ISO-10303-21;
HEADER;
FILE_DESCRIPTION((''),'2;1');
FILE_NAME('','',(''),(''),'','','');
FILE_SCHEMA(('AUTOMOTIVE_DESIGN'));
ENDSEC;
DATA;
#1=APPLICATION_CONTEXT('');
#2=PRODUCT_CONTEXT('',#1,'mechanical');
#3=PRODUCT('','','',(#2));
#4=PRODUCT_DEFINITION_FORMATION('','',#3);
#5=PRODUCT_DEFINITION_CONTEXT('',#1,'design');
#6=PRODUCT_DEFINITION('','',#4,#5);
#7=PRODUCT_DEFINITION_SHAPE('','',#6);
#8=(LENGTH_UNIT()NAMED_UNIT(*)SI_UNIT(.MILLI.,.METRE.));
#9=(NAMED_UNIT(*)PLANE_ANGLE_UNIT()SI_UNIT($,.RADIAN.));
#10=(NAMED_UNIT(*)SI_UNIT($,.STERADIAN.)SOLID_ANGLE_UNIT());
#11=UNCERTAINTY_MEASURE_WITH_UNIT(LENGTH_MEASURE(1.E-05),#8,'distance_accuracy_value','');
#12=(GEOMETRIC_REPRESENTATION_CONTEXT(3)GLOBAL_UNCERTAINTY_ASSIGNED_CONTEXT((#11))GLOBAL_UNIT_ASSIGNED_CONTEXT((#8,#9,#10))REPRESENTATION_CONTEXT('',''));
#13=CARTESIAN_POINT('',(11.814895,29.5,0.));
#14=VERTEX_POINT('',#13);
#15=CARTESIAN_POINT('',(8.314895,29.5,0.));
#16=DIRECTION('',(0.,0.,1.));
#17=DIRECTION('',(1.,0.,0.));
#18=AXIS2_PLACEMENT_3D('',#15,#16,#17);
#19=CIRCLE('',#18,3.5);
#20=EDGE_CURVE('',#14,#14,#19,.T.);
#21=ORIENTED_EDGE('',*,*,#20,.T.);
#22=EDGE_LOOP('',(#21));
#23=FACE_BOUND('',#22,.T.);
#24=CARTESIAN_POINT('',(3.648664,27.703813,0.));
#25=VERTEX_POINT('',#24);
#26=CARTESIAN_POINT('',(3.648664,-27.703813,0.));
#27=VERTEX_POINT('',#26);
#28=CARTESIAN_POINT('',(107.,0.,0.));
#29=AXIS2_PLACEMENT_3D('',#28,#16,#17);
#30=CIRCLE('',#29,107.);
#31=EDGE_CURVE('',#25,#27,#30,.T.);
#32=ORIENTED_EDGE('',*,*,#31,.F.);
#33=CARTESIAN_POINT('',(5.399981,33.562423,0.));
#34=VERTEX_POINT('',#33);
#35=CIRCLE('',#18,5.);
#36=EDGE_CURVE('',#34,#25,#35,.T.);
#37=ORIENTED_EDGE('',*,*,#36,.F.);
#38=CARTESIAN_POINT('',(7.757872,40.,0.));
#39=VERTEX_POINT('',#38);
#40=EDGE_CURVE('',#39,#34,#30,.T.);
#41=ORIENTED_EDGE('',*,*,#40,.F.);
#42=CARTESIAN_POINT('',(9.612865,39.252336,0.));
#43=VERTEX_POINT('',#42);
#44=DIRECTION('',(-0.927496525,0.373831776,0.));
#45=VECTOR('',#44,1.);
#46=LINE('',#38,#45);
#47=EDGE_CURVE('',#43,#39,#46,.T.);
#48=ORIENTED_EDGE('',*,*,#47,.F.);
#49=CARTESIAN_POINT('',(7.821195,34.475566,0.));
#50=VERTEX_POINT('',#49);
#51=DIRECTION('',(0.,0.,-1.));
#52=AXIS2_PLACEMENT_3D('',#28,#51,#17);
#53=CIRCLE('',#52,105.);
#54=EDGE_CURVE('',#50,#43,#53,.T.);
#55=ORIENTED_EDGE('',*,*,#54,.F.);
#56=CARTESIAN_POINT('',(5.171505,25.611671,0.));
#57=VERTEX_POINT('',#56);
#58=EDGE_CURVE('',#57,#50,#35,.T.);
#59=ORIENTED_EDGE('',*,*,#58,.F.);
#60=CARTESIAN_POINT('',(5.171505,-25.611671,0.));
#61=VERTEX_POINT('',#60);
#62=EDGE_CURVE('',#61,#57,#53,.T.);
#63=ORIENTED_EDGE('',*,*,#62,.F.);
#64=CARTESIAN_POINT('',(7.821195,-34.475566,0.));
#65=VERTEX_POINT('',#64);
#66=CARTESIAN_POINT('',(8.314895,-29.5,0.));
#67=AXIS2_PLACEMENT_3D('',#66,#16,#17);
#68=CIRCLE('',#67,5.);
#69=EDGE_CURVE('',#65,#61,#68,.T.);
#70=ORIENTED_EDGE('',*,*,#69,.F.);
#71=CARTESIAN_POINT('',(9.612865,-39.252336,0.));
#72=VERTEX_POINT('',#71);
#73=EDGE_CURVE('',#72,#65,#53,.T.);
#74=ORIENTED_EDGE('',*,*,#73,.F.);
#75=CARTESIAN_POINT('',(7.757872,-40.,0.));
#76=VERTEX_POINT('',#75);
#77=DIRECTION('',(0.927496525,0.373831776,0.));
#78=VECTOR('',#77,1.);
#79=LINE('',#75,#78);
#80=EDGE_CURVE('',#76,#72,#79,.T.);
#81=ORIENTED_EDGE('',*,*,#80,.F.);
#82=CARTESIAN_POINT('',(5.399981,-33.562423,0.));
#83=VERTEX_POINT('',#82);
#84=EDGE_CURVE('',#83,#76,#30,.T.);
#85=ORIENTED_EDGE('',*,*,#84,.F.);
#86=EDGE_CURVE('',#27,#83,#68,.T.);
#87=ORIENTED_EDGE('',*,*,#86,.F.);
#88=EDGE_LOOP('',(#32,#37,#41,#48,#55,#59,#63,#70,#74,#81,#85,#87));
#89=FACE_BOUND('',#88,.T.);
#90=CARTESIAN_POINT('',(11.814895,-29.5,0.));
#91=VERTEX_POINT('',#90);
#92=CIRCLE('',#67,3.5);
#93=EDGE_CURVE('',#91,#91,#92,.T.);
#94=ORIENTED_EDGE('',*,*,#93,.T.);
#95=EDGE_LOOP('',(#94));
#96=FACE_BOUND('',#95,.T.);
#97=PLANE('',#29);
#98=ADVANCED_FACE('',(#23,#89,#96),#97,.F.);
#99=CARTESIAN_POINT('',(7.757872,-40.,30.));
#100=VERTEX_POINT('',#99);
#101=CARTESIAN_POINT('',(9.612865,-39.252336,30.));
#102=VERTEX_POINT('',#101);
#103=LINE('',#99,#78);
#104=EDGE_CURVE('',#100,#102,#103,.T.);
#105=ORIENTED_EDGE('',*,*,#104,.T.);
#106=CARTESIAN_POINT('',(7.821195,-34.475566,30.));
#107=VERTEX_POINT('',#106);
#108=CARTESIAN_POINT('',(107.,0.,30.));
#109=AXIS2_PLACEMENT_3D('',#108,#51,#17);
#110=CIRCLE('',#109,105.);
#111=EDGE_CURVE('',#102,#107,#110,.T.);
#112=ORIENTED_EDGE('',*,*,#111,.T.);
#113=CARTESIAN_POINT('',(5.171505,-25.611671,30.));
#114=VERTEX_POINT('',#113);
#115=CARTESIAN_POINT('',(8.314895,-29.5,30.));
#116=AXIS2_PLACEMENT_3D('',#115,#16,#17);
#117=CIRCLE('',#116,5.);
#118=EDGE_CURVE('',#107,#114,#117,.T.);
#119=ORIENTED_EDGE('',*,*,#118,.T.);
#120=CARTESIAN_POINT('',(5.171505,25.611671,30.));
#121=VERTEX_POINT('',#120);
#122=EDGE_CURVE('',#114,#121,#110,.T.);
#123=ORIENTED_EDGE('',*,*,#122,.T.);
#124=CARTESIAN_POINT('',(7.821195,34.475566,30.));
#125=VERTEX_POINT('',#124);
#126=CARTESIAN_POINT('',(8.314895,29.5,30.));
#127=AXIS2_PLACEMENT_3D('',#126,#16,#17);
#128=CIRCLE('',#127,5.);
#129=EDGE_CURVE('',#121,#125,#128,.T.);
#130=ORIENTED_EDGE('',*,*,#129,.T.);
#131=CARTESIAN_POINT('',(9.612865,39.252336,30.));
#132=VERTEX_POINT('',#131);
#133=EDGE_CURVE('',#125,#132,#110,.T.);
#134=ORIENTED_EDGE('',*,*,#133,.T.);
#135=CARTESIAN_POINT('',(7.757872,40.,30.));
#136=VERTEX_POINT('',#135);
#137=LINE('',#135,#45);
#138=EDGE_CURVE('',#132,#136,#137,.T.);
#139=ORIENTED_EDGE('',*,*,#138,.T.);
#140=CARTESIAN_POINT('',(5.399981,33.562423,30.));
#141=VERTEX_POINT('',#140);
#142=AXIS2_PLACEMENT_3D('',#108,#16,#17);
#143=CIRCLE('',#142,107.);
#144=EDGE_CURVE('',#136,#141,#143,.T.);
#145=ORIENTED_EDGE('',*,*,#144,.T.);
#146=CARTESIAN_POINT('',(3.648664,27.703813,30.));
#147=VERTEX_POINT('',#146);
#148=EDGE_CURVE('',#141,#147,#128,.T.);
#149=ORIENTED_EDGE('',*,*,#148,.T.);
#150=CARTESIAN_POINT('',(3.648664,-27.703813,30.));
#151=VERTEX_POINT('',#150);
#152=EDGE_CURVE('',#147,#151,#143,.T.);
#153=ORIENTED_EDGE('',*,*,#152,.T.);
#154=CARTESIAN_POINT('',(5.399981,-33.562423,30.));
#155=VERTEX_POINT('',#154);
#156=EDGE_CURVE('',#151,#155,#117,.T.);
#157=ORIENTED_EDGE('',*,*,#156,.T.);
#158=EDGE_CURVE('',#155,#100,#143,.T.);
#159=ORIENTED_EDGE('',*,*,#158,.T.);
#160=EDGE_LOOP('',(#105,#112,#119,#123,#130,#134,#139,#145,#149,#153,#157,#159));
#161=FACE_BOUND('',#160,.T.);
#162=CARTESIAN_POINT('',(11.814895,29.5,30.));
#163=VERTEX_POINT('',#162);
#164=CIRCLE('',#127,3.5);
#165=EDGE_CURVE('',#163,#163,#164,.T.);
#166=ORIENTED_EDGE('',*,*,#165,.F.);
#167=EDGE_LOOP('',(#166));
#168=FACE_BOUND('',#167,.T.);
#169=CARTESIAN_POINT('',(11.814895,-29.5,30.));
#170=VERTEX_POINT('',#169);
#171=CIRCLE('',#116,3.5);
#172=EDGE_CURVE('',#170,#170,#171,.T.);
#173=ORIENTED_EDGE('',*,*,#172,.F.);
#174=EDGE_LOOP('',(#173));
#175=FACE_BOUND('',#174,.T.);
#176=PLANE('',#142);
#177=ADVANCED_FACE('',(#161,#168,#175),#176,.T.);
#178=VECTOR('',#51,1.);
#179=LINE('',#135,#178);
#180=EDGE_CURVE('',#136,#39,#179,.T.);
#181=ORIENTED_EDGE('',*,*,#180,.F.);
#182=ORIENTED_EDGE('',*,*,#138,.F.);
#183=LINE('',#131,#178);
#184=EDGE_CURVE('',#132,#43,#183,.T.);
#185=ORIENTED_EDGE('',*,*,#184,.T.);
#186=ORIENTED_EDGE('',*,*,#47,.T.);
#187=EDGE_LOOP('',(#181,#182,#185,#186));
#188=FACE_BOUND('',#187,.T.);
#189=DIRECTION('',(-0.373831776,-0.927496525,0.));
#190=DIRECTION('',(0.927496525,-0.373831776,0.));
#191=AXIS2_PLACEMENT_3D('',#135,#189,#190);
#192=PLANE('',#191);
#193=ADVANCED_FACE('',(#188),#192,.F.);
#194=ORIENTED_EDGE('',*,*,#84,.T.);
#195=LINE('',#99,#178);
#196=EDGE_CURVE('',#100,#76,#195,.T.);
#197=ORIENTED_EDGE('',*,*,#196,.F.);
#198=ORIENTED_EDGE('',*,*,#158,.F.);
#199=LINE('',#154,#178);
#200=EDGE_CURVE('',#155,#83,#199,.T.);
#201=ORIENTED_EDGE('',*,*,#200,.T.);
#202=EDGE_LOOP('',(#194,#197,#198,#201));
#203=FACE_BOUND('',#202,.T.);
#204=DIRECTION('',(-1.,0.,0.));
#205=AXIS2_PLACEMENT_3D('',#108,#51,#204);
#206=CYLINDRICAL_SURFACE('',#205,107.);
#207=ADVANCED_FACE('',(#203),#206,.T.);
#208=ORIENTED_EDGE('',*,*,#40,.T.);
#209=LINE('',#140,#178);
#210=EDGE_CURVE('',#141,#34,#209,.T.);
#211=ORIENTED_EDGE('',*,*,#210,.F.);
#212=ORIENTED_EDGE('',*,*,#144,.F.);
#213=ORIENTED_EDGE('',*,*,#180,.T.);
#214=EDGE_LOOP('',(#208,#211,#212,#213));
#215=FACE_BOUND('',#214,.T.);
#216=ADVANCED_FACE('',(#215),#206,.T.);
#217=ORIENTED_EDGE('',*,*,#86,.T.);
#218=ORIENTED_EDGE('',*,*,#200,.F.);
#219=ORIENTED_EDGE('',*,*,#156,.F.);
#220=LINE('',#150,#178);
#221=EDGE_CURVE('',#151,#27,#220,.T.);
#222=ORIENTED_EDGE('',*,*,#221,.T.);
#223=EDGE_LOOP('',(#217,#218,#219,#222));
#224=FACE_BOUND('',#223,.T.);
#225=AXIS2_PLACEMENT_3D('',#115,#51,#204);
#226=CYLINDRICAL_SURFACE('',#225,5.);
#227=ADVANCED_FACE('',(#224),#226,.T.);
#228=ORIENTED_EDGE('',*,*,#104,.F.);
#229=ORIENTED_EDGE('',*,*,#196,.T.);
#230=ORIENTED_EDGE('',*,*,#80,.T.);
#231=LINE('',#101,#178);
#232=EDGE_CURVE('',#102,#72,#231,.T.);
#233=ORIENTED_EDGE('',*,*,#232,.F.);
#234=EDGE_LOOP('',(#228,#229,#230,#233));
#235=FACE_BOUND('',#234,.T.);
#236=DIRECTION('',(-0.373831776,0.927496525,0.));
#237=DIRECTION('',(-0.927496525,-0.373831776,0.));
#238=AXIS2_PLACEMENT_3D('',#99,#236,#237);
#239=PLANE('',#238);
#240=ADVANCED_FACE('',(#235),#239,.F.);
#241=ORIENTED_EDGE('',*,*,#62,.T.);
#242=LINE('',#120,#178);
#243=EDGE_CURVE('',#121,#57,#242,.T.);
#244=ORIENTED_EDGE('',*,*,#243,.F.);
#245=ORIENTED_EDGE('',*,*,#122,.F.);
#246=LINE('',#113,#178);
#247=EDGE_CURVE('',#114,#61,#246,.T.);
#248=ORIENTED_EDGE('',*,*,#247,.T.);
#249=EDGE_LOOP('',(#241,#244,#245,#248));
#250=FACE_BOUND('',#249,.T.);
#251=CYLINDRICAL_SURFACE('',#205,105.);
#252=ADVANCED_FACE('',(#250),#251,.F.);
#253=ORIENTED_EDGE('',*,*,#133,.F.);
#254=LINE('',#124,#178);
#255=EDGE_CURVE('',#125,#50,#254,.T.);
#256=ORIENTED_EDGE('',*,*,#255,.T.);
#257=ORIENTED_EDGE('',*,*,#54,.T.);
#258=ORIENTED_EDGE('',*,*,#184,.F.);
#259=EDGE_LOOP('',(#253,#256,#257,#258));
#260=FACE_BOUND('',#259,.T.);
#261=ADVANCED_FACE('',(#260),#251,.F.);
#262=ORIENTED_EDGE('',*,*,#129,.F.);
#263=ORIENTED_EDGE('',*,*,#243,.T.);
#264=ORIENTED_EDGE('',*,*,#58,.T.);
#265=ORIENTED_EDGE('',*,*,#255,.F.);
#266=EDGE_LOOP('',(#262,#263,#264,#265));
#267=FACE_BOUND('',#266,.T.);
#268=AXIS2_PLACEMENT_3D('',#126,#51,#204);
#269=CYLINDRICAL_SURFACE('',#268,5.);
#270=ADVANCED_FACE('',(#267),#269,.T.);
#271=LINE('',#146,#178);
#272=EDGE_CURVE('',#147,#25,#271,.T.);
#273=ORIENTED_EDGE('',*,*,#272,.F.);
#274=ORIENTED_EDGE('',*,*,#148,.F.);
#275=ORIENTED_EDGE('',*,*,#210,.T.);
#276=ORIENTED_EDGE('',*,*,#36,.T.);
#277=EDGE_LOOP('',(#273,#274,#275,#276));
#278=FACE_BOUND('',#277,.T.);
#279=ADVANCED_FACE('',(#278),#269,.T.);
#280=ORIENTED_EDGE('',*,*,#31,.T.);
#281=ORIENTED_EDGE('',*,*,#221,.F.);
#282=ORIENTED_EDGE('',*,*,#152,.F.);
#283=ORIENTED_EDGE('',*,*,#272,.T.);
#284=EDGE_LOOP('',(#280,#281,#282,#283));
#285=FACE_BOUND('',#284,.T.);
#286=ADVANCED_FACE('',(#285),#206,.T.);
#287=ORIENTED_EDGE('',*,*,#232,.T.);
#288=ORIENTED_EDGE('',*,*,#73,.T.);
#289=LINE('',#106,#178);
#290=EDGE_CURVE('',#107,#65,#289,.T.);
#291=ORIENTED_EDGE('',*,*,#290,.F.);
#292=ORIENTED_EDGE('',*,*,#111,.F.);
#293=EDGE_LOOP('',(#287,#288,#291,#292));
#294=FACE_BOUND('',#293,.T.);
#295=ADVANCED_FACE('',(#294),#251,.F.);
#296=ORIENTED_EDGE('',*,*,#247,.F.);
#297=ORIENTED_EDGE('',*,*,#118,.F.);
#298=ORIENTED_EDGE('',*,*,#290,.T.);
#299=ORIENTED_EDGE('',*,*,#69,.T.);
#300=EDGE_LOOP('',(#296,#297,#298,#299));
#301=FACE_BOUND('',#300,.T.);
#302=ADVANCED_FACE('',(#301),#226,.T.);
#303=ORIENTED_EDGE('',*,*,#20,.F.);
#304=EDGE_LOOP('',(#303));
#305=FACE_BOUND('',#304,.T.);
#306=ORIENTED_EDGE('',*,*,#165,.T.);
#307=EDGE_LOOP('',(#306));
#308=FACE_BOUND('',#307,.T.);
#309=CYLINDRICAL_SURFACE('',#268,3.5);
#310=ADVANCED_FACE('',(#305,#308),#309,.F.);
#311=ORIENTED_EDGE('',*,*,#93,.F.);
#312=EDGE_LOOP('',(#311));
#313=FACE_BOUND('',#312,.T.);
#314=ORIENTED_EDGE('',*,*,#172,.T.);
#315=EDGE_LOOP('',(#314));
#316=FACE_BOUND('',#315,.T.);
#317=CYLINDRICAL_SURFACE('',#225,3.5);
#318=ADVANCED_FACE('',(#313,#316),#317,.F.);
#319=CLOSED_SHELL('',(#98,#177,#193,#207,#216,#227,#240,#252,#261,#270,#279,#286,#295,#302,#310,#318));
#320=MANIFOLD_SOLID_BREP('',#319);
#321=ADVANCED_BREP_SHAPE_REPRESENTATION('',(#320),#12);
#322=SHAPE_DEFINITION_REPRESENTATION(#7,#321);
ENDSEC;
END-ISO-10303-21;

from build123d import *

# Parameters (mm, degrees)
SKETCH1_R           = 3.5
BOSS_EXTRUDE1_DEPTH = 30


with BuildPart() as part:
    # Sketch1 → Boss-Extrude1 (new body)
    with BuildSketch(Plane.XY):
        with BuildLine():
            Line((7.757871849, 40), (9.612864898, 39.252336449))
            ThreePointArc((9.612864898, 39.252336449), (8.688014127, 36.874834695), (7.821195192, 34.475566375))
            ThreePointArc((7.821195192, 34.475566375), (13.105433831, 28.067961165), (5.171505388, 25.611670876))
            ThreePointArc((5.171505388, 25.611670876), (2, 0), (5.171505388, -25.611670876))
            ThreePointArc((5.171505388, -25.611670876), (13.105433831, -28.067961165), (7.821195192, -34.475566375))
            ThreePointArc((7.821195192, -34.475566375), (8.688014127, -36.874834695), (9.612864898, -39.252336449))
            Line((9.612864898, -39.252336449), (7.757871849, -40))
            ThreePointArc((7.757871849, -40), (6.527354129, -36.800100973), (5.399981488, -33.562423012))
            ThreePointArc((5.399981488, -33.562423012), (3.524355651, -30.932038835), (3.648663608, -27.703813202))
            ThreePointArc((3.648663608, -27.703813202), (0, 0), (3.648663608, 27.703813202))
            ThreePointArc((3.648663608, 27.703813202), (3.524355651, 30.932038835), (5.399981488, 33.562423012))
            ThreePointArc((5.399981488, 33.562423012), (6.527354129, 36.800100973), (7.757871849, 40))
        make_face()
        with Locations((8.314894741, 29.5)):
            Circle(SKETCH1_R, mode=Mode.SUBTRACT)
        with Locations((8.314894741, -29.5)):
            Circle(SKETCH1_R, mode=Mode.SUBTRACT)
    extrude(amount=BOSS_EXTRUDE1_DEPTH)


solid = part.part
